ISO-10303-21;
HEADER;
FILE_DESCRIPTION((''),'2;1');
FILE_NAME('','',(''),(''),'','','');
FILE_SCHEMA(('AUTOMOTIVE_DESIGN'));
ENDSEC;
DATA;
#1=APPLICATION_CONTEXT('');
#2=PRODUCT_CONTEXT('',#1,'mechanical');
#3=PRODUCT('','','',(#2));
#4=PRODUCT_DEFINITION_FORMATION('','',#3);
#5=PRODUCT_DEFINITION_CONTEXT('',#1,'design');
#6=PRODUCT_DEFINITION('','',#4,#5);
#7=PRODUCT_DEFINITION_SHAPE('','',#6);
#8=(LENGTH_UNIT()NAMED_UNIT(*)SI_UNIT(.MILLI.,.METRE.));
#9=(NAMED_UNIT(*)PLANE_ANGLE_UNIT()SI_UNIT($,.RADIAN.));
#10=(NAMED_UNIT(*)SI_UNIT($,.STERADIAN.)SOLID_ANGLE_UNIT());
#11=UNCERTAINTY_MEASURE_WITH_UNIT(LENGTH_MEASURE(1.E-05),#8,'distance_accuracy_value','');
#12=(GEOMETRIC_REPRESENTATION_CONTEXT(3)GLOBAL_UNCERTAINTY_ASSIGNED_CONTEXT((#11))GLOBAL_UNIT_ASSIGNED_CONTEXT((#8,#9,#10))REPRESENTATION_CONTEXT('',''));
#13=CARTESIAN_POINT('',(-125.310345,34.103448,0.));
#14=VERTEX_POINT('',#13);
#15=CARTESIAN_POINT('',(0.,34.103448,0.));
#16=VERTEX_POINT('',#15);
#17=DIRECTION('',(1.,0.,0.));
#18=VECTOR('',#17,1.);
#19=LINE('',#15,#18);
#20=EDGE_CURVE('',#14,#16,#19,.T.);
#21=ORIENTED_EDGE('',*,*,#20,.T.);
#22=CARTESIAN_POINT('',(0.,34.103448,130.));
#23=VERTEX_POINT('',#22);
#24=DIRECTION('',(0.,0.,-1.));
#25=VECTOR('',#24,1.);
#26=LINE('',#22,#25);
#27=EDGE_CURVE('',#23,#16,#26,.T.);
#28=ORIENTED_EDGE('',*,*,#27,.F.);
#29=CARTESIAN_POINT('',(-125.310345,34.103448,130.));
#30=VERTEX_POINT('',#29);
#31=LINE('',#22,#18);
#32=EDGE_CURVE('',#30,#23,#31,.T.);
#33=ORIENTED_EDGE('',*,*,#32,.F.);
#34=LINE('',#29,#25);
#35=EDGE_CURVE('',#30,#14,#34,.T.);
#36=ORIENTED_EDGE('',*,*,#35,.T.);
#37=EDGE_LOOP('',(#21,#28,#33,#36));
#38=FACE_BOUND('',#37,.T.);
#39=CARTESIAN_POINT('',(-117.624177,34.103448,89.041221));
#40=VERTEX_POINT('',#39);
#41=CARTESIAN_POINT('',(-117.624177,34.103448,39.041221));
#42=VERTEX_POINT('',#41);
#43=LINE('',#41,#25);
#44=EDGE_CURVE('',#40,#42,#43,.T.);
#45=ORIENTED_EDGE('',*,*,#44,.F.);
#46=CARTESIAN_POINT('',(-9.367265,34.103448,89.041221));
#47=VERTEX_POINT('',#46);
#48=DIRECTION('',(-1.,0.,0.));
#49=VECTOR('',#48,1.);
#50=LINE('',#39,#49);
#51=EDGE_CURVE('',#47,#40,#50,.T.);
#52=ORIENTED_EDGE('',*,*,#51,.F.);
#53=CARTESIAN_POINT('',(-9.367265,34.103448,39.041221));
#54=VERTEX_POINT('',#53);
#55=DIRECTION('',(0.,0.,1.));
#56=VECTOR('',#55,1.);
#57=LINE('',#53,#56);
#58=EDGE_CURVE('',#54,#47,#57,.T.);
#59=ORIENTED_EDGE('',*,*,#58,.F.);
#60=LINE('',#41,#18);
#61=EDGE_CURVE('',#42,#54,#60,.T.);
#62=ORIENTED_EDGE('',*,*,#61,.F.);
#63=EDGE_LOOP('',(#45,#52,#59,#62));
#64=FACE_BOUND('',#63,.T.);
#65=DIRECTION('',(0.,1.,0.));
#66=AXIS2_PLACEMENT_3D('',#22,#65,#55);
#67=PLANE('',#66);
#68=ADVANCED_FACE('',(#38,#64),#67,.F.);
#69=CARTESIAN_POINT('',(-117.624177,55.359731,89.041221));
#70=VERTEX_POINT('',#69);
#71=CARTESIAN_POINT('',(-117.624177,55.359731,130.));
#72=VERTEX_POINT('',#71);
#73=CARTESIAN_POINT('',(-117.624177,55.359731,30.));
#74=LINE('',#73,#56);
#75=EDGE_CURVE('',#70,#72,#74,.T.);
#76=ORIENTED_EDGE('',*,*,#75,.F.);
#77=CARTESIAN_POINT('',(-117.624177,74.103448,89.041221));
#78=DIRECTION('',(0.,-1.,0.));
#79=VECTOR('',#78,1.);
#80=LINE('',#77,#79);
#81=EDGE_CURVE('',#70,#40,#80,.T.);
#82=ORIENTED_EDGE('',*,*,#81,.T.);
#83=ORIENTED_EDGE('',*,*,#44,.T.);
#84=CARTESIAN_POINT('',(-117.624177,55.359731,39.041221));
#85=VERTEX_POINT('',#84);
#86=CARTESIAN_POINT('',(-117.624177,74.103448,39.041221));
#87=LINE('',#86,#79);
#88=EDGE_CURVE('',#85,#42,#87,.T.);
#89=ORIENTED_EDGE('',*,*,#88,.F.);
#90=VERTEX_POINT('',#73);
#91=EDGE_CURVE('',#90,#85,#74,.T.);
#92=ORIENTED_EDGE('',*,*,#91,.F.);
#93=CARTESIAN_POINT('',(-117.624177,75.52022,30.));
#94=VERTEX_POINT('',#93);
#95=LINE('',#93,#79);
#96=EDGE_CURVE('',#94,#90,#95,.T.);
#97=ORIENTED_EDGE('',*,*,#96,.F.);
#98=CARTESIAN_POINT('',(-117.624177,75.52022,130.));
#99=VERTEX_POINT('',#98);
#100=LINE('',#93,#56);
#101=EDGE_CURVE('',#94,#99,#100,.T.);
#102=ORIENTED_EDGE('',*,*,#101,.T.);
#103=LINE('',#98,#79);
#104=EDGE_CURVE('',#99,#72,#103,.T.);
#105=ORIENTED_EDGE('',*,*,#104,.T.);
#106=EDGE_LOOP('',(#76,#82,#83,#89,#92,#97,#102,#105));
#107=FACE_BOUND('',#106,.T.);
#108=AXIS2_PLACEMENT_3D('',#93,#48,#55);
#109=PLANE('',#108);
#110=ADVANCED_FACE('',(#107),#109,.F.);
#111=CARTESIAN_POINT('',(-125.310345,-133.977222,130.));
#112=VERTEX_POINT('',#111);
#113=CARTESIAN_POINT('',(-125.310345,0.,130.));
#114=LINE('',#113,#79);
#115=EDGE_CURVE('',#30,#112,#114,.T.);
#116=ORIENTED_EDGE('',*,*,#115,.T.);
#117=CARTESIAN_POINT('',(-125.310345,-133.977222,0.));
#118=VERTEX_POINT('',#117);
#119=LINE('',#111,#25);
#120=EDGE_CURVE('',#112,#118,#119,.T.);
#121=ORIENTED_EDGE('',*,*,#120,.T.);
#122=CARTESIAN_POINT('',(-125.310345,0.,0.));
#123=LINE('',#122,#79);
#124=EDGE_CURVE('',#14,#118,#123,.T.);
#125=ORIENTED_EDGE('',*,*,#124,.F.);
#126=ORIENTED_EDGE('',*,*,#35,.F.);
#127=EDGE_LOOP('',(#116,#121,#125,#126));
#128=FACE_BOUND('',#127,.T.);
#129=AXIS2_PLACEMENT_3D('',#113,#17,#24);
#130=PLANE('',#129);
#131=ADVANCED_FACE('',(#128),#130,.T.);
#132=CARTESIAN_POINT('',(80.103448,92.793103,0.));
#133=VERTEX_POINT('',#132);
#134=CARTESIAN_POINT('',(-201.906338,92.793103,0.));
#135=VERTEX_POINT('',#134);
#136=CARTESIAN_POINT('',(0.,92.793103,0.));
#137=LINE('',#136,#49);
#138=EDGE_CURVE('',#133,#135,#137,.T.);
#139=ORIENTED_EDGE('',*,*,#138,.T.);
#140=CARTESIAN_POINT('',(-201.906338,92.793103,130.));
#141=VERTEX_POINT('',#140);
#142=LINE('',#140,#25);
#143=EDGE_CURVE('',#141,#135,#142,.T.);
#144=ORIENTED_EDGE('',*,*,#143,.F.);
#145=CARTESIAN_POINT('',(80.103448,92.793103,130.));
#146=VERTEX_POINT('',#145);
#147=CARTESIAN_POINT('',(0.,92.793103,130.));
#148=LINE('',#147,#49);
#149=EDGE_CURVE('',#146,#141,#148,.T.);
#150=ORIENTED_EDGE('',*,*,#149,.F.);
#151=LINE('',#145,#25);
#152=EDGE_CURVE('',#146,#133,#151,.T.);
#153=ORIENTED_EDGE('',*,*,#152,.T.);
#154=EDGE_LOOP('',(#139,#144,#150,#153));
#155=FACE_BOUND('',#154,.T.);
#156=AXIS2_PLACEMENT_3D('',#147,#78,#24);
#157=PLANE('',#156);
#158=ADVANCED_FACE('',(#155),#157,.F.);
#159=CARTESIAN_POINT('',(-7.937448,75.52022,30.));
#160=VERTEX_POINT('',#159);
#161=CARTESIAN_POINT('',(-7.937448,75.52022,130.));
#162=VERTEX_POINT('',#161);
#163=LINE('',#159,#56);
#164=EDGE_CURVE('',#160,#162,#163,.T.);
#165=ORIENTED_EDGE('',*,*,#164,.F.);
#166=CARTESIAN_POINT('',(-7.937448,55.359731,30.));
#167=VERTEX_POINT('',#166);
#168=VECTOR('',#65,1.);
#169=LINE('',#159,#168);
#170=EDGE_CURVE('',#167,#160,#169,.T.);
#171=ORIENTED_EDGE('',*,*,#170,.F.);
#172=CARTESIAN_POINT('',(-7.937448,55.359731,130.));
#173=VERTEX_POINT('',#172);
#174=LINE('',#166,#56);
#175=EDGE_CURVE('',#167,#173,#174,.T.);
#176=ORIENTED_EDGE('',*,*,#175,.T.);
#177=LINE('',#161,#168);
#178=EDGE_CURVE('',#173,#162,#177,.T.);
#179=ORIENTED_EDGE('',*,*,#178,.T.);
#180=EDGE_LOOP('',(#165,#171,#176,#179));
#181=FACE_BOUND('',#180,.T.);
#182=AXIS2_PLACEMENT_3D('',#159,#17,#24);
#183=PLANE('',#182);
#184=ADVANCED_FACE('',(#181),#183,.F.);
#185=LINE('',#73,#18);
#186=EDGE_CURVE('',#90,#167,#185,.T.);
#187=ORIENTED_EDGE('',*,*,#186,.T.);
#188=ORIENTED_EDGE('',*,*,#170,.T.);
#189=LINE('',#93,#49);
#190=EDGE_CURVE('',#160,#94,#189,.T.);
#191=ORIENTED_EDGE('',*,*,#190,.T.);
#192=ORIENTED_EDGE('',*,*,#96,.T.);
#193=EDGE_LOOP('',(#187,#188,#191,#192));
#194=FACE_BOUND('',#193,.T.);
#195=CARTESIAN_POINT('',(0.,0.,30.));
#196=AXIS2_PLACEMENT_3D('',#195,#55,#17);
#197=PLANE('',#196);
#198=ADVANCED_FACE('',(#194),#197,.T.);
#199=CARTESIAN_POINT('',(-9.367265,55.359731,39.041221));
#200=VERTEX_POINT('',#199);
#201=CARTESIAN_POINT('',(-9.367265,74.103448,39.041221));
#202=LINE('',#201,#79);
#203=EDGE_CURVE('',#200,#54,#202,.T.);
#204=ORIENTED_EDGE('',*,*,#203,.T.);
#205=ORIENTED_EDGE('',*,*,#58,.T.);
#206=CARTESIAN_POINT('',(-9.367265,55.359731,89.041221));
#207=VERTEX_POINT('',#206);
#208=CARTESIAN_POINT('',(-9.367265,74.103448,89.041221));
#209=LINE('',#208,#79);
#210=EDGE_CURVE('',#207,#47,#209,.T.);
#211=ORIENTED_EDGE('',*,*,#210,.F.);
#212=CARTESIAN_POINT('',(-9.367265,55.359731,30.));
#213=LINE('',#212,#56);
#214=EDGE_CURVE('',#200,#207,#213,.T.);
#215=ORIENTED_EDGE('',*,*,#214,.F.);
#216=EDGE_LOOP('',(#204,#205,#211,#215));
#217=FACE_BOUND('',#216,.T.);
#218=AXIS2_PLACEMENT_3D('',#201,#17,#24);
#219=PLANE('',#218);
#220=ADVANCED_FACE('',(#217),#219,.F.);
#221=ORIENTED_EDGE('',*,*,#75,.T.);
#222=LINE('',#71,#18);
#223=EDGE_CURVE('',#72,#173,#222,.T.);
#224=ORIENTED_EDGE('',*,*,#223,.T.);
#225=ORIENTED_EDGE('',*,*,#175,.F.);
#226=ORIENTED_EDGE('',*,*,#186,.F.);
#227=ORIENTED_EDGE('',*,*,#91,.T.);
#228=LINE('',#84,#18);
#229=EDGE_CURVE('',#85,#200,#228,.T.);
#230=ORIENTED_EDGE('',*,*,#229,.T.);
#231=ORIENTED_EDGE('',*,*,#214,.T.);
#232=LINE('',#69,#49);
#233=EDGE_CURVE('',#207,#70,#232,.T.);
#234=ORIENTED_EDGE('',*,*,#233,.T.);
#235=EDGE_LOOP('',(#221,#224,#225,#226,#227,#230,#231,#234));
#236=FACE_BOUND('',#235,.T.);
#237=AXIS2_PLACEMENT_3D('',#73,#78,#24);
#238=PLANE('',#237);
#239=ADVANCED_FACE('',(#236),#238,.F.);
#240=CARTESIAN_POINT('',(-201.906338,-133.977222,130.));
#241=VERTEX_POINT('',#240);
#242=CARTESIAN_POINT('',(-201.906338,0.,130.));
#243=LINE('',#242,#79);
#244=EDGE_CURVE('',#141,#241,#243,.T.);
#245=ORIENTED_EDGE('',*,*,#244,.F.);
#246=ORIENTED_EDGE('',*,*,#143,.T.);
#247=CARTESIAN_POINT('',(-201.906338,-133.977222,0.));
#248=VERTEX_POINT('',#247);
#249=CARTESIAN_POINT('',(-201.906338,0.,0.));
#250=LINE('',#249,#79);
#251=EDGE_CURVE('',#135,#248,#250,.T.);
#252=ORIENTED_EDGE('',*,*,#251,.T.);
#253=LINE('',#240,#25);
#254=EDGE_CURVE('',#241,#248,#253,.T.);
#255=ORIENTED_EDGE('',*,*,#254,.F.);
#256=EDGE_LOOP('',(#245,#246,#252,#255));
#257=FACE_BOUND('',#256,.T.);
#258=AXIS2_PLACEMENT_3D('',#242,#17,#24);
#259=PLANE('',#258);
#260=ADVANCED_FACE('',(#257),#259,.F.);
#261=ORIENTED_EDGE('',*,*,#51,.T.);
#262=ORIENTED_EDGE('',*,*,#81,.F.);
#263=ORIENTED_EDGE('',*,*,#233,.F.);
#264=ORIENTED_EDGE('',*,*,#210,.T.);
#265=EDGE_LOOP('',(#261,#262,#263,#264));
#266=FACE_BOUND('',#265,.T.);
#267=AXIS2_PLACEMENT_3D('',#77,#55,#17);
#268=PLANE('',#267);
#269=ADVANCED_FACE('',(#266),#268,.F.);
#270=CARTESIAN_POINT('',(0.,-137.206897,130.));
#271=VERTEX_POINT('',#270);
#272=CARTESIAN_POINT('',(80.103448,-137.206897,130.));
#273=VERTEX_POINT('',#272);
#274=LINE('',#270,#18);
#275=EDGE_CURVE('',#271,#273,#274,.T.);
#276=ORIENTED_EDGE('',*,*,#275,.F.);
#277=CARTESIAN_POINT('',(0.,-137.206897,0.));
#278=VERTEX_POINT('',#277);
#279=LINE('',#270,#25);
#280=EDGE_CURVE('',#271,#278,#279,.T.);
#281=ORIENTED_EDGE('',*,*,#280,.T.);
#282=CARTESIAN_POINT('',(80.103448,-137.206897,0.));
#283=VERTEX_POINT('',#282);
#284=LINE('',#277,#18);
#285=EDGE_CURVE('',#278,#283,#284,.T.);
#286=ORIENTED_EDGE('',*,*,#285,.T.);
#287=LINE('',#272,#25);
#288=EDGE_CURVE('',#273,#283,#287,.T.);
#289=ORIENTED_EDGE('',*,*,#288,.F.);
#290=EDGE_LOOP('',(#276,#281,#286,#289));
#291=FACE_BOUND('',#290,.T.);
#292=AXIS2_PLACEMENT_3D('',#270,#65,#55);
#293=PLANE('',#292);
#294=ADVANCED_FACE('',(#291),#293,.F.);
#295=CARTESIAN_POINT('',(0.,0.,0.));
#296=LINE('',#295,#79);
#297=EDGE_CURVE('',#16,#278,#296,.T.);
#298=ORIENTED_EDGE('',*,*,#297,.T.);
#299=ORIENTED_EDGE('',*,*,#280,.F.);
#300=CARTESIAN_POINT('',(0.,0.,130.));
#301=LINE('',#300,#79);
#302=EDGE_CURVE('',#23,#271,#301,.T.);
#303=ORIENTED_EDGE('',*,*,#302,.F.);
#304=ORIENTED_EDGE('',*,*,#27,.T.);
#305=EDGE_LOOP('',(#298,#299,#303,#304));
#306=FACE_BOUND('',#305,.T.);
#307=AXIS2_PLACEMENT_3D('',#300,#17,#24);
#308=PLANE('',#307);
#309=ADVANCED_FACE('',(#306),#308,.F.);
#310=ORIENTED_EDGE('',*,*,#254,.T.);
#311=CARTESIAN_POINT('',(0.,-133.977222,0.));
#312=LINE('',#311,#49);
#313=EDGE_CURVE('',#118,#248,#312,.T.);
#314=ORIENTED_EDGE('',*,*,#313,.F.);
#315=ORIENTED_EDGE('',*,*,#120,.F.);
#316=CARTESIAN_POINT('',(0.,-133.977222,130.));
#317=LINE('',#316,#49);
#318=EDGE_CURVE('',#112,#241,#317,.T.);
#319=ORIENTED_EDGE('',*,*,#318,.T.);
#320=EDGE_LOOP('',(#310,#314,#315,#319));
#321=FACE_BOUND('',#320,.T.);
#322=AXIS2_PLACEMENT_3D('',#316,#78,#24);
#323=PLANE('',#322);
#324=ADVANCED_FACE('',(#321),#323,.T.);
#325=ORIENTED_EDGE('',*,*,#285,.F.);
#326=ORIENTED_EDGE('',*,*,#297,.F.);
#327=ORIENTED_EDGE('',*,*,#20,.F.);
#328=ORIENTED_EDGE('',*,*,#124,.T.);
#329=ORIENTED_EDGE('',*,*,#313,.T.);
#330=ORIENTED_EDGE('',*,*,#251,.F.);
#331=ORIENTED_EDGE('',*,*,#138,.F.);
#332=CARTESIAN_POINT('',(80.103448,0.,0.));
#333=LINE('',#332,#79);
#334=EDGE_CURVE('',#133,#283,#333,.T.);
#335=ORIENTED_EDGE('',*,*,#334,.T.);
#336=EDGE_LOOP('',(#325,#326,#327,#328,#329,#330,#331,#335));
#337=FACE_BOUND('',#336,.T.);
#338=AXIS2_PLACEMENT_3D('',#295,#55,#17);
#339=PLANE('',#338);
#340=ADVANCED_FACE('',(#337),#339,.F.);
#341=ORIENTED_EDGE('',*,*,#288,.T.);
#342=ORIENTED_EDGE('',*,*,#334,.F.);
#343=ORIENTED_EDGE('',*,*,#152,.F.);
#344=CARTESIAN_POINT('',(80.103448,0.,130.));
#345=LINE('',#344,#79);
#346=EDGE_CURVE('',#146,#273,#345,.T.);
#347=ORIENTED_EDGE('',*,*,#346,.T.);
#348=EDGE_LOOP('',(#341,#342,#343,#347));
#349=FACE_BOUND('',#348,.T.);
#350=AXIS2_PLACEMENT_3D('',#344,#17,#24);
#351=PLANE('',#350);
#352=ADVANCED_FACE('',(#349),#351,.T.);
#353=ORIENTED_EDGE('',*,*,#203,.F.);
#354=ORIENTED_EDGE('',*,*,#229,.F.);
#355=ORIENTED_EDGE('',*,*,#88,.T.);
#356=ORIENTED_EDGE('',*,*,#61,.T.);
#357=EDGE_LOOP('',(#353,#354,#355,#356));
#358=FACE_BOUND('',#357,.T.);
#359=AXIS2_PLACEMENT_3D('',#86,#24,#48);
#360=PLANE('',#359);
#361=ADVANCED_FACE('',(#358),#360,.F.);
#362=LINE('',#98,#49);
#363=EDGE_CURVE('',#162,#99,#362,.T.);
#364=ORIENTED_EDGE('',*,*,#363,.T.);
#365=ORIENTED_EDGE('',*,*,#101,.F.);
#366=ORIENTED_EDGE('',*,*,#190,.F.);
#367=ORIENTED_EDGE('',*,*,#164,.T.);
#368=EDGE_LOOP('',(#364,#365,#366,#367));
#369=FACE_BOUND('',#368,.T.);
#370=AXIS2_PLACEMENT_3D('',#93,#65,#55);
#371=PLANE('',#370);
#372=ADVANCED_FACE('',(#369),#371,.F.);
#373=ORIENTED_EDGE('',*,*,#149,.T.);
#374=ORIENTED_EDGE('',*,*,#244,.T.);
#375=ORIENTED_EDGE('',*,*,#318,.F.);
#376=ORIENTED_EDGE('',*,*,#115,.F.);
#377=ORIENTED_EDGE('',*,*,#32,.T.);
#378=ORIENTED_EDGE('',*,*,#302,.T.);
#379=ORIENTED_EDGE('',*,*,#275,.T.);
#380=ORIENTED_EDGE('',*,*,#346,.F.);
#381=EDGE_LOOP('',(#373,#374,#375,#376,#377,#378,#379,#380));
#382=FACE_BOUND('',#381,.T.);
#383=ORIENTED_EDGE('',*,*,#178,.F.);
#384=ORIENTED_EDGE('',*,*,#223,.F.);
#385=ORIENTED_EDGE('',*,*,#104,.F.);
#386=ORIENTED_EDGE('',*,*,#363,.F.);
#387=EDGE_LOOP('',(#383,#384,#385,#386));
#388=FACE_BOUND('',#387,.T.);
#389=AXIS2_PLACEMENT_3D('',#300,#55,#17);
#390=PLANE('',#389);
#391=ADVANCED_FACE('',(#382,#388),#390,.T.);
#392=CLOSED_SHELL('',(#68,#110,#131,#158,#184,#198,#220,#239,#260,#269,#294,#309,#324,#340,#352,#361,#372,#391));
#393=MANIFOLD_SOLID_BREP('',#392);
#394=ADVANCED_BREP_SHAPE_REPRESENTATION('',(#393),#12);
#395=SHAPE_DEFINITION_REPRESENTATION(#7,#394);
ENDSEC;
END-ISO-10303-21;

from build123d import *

# Parameters (mm, degrees)
SKETCH1_W           = 76.595992709
SKETCH1_H           = 226.770325479
SKETCH1_W_2         = 125.310344828
SKETCH1_H_2         = 58.689655172
SKETCH1_W_3         = 80.103448276
SKETCH1_H_3         = 230
BOSS_EXTRUDE1_DEPTH = 130
SKETCH3_W           = 109.68672873
SKETCH3_H           = 20.160489082
CUT_EXTRUDE1_DEPTH  = 100
SKETCH7_W           = 108.256911282
SKETCH7_H           = 50
CUT_EXTRUDE3_DEPTH  = 40


with BuildPart() as part:
    # Sketch1 → Boss-Extrude1 (new body)
    with BuildSketch(Plane.XY):
        with Locations((-163.608341182, -20.592059291)):
            Rectangle(SKETCH1_W, SKETCH1_H)
        with Locations((-62.655172414, 63.448275862)):
            Rectangle(SKETCH1_W_2, SKETCH1_H_2)
        with Locations((40.051724138, -22.206896552)):
            Rectangle(SKETCH1_W_3, SKETCH1_H_3)
    extrude(amount=BOSS_EXTRUDE1_DEPTH)

    # Sketch3 → Cut-Extrude1 (cut)
    with BuildSketch(Plane.XY.offset(130)):
        with Locations((-62.780812257, 65.439975471)):
            Rectangle(SKETCH3_W, SKETCH3_H)
    extrude(amount=-CUT_EXTRUDE1_DEPTH, mode=Mode.SUBTRACT)

    # Sketch7 → Cut-Extrude3 (cut)
    with BuildSketch(Plane(origin=(0, 34.103448276, 0), x_dir=(-1, 0, 0), z_dir=(0, -1, 0))):
        with Locations((63.495720981, -64.04122146)):
            Rectangle(SKETCH7_W, SKETCH7_H)
    extrude(amount=-CUT_EXTRUDE3_DEPTH, mode=Mode.SUBTRACT)


solid = part.part
